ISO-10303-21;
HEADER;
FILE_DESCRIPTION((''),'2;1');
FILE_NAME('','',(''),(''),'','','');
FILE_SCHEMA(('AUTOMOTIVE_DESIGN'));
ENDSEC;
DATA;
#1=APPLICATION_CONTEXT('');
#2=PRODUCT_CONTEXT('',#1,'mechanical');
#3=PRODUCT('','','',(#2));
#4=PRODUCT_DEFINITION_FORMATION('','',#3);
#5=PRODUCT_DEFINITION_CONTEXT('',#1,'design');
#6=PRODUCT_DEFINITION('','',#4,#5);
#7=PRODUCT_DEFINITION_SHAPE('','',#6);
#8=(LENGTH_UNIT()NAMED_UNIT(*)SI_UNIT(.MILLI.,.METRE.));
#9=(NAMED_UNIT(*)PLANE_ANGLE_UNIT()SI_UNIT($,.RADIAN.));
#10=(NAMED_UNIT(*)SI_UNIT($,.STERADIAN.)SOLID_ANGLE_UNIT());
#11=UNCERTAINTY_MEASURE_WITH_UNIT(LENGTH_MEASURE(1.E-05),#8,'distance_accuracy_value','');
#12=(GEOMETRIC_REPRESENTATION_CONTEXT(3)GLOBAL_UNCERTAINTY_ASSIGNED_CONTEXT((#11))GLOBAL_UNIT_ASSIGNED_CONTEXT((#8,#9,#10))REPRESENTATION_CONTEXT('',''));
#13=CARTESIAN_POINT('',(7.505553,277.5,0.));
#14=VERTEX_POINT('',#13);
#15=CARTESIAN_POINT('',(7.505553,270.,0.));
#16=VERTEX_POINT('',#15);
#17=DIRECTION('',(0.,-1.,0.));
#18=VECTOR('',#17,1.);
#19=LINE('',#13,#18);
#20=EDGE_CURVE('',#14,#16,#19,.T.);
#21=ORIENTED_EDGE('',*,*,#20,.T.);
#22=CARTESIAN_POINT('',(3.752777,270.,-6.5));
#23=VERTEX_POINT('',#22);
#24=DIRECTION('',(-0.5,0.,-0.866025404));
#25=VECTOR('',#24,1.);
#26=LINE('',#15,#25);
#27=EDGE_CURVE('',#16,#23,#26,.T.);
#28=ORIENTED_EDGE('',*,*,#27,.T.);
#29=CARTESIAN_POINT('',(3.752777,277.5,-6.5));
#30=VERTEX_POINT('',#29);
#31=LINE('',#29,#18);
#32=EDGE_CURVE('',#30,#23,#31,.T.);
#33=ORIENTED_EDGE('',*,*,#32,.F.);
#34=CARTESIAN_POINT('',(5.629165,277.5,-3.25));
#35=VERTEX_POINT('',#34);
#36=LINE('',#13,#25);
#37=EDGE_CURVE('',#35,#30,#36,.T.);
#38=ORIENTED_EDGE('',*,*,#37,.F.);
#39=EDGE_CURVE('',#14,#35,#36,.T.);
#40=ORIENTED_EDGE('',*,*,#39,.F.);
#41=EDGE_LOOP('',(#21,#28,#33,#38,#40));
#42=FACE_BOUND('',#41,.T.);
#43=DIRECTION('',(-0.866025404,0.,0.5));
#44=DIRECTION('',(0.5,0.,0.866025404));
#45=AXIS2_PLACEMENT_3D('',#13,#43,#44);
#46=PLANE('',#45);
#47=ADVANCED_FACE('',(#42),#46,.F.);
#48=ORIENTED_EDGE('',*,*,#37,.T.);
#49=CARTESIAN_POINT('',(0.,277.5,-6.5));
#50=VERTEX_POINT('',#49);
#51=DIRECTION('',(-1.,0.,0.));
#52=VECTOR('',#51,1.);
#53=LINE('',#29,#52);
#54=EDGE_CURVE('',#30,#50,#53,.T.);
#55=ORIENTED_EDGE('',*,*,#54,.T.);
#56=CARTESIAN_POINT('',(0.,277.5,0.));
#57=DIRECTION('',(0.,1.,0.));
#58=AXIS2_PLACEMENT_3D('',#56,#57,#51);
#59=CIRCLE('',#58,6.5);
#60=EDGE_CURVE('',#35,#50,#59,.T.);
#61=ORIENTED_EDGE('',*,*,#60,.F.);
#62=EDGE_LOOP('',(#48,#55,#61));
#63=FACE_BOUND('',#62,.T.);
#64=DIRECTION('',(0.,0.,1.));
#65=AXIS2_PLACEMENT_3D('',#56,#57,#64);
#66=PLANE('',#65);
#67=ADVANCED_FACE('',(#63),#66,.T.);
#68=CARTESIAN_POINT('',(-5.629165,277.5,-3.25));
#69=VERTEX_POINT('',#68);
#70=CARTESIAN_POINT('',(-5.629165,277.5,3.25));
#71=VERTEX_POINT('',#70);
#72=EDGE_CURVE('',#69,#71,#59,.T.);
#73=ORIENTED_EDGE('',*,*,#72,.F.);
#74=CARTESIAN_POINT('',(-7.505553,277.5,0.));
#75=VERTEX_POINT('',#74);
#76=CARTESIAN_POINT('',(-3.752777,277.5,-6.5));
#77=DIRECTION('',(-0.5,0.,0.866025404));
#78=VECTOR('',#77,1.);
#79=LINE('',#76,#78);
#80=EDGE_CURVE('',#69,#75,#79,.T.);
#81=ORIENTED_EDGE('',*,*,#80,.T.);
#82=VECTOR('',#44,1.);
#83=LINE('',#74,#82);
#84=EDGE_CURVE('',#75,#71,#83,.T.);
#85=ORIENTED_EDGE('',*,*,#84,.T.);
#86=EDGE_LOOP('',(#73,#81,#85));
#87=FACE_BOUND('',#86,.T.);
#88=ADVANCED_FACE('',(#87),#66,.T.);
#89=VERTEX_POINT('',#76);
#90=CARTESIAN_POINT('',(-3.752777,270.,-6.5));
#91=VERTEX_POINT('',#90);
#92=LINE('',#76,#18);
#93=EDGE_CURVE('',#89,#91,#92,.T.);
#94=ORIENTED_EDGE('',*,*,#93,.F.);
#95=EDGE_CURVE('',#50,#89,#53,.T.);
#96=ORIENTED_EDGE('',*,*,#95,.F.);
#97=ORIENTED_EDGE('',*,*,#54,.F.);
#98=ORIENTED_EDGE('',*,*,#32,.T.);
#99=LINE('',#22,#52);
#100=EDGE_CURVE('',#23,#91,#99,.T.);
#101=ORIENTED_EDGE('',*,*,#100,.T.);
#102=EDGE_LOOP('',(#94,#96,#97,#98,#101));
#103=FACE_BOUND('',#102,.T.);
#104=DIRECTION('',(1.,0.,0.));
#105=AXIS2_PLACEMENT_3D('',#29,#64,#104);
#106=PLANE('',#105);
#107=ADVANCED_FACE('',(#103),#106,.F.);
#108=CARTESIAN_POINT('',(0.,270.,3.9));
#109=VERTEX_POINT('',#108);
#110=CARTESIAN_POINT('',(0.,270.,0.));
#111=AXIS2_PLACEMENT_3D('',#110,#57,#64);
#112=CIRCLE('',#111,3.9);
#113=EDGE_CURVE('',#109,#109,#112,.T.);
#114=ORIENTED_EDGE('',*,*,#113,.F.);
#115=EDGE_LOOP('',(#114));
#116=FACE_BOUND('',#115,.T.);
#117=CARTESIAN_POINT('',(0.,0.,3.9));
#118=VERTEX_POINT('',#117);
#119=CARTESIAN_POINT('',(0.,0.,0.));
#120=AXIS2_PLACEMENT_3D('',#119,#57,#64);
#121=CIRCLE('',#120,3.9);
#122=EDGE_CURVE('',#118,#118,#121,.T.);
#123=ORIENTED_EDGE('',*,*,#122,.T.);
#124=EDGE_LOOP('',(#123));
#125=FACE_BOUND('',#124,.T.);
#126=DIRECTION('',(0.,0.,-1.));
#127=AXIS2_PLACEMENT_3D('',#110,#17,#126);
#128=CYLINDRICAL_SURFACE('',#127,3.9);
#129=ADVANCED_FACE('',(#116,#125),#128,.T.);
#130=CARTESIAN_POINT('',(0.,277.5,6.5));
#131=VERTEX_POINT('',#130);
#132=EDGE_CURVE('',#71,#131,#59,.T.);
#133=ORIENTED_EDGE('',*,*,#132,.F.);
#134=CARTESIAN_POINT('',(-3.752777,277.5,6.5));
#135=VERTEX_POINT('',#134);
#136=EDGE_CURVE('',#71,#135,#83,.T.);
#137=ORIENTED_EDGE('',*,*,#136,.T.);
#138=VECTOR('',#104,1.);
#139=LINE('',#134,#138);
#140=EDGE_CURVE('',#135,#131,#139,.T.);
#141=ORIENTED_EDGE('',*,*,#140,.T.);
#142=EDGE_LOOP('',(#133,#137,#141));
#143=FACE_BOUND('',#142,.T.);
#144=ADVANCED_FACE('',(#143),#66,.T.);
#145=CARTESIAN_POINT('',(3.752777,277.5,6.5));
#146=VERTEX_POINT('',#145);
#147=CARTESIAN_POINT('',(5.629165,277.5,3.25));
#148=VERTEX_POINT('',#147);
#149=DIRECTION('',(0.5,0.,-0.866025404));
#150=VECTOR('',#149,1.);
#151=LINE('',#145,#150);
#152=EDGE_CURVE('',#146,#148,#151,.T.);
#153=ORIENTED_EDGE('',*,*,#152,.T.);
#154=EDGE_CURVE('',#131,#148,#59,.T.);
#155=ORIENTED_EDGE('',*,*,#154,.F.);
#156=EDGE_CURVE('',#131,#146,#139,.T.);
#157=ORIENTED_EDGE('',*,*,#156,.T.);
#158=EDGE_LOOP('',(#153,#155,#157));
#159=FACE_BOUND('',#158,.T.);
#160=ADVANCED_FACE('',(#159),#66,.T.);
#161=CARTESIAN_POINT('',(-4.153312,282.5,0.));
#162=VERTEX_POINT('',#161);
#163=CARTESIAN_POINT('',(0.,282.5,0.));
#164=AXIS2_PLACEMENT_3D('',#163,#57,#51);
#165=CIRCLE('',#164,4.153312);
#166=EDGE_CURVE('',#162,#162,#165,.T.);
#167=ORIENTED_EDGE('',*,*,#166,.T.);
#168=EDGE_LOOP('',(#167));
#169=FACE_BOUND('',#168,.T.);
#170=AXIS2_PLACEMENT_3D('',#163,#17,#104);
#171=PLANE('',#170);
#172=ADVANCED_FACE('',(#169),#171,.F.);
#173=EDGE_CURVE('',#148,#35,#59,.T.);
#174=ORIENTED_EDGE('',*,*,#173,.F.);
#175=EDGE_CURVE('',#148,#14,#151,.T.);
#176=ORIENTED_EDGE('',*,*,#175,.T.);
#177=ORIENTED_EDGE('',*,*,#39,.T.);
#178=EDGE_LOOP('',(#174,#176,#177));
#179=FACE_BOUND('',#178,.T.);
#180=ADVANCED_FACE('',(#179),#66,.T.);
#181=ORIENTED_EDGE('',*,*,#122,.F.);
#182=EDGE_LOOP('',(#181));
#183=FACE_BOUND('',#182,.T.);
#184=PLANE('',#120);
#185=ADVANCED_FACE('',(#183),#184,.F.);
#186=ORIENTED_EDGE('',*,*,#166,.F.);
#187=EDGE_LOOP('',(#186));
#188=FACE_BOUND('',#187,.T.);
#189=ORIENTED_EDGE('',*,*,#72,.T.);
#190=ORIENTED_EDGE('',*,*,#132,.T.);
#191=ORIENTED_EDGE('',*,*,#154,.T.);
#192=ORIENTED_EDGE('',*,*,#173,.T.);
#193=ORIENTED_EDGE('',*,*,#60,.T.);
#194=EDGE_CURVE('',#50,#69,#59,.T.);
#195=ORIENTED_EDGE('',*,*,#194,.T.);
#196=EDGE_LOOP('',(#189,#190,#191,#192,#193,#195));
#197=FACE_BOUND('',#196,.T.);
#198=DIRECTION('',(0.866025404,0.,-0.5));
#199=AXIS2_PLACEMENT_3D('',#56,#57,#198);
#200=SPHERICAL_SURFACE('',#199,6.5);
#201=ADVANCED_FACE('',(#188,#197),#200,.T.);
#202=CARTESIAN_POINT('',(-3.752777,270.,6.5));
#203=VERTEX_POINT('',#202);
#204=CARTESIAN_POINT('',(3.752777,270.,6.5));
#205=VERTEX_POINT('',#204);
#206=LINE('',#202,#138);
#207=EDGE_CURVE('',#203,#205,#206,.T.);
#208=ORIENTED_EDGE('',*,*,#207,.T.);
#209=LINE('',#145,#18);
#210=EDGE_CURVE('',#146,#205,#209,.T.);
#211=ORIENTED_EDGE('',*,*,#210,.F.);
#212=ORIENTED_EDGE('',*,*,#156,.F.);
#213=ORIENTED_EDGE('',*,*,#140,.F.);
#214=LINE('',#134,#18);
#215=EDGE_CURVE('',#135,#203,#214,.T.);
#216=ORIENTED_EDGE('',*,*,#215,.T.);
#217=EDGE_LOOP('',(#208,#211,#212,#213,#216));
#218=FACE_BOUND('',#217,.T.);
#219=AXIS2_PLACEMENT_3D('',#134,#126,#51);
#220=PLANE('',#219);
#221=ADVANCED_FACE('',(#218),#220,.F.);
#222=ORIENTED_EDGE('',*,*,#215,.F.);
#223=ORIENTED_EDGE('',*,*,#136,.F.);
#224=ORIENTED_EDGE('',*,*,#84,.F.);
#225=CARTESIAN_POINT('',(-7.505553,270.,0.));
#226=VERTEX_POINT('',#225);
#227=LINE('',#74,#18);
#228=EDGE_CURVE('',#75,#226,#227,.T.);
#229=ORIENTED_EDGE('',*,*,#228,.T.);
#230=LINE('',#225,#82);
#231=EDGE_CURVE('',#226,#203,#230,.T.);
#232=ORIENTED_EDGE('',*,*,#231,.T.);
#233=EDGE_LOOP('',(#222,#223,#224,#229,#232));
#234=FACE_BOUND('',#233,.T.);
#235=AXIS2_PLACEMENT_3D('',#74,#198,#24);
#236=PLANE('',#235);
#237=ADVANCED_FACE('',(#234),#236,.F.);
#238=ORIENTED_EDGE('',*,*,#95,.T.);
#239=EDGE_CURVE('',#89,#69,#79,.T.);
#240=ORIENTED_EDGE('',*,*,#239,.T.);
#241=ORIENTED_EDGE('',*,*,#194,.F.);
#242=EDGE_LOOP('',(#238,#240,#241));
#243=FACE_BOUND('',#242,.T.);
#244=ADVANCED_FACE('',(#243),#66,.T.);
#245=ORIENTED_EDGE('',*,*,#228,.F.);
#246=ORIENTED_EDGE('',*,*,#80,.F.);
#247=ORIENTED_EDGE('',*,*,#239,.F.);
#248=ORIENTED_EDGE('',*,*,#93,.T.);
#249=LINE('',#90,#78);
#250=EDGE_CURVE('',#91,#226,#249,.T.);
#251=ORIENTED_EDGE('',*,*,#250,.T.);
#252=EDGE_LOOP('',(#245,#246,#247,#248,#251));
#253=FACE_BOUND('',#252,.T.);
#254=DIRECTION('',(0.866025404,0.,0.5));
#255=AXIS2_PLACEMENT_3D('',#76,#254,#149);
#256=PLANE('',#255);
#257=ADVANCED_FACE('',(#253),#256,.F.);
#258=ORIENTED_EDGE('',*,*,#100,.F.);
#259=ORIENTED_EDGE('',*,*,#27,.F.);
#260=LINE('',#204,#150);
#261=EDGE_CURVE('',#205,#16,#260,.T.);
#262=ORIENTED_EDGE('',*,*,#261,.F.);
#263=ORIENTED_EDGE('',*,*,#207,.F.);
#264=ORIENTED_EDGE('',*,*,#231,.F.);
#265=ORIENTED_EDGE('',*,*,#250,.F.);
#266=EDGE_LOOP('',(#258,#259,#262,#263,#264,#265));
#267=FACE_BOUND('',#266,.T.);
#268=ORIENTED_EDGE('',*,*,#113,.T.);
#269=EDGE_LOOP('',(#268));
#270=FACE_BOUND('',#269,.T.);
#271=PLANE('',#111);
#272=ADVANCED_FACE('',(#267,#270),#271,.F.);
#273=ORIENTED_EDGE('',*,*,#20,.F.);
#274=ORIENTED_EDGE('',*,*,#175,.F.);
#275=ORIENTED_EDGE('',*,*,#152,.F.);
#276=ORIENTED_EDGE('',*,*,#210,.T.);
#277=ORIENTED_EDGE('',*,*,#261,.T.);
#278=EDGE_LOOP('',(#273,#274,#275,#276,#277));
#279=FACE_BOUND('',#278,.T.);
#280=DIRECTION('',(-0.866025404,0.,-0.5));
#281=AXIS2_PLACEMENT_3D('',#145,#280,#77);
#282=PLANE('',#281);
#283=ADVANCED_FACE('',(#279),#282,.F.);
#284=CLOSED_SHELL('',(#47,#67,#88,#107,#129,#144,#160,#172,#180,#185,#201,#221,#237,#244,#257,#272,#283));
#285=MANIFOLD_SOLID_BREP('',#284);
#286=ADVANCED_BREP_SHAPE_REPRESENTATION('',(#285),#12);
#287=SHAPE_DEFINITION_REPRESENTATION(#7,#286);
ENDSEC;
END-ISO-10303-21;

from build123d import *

# Parameters (mm, degrees)
SKETCH1_R           = 3.9
BOSS_EXTRUDE1_DEPTH = 270
BOSS_EXTRUDE2_DEPTH = 7.5


with BuildPart() as part:
    # Sketch1 → Boss-Extrude1 (new body)
    with BuildSketch(Plane(origin=(0, 0, 0), x_dir=(1, 0, 0), z_dir=(0, 1, 0))):
        with Locations(Location((0, 0, 0), (0, 0, 270))):
            Circle(SKETCH1_R)
    extrude(amount=BOSS_EXTRUDE1_DEPTH)

    # Sketch2 → Boss-Extrude2 (add)
    with BuildSketch(Plane(origin=(0, 270, 0), x_dir=(1, 0, 0), z_dir=(0, 1, 0))):
        Polygon((7.505553499, 0), (3.75277675, 6.5), (-3.75277675, 6.5), (-7.505553499, 0), (-3.75277675, -6.5), (3.75277675, -6.5), align=None)
    extrude(amount=BOSS_EXTRUDE2_DEPTH)

    # Sketch5 → Revolve2 (revolve)
    with BuildSketch(Plane(origin=(0, 0, 0), x_dir=(0.8660254037844384, 0, -0.5000000000000007), z_dir=(0.5000000000000006, 0, 0.8660254037844383))):
        with BuildLine():
            Line((0, 277.5), (6.5, 277.5))
            ThreePointArc((6.5, 277.5), (5.884153616, 280.261654617), (4.153311931, 282.5))
            Line((4.153311931, 282.5), (0, 282.5))
            Line((0, 282.5), (0, 277.5))
        make_face()
    revolve(axis=Axis((0, 282.5, 0), (0, -1, 0)))


solid = part.part
